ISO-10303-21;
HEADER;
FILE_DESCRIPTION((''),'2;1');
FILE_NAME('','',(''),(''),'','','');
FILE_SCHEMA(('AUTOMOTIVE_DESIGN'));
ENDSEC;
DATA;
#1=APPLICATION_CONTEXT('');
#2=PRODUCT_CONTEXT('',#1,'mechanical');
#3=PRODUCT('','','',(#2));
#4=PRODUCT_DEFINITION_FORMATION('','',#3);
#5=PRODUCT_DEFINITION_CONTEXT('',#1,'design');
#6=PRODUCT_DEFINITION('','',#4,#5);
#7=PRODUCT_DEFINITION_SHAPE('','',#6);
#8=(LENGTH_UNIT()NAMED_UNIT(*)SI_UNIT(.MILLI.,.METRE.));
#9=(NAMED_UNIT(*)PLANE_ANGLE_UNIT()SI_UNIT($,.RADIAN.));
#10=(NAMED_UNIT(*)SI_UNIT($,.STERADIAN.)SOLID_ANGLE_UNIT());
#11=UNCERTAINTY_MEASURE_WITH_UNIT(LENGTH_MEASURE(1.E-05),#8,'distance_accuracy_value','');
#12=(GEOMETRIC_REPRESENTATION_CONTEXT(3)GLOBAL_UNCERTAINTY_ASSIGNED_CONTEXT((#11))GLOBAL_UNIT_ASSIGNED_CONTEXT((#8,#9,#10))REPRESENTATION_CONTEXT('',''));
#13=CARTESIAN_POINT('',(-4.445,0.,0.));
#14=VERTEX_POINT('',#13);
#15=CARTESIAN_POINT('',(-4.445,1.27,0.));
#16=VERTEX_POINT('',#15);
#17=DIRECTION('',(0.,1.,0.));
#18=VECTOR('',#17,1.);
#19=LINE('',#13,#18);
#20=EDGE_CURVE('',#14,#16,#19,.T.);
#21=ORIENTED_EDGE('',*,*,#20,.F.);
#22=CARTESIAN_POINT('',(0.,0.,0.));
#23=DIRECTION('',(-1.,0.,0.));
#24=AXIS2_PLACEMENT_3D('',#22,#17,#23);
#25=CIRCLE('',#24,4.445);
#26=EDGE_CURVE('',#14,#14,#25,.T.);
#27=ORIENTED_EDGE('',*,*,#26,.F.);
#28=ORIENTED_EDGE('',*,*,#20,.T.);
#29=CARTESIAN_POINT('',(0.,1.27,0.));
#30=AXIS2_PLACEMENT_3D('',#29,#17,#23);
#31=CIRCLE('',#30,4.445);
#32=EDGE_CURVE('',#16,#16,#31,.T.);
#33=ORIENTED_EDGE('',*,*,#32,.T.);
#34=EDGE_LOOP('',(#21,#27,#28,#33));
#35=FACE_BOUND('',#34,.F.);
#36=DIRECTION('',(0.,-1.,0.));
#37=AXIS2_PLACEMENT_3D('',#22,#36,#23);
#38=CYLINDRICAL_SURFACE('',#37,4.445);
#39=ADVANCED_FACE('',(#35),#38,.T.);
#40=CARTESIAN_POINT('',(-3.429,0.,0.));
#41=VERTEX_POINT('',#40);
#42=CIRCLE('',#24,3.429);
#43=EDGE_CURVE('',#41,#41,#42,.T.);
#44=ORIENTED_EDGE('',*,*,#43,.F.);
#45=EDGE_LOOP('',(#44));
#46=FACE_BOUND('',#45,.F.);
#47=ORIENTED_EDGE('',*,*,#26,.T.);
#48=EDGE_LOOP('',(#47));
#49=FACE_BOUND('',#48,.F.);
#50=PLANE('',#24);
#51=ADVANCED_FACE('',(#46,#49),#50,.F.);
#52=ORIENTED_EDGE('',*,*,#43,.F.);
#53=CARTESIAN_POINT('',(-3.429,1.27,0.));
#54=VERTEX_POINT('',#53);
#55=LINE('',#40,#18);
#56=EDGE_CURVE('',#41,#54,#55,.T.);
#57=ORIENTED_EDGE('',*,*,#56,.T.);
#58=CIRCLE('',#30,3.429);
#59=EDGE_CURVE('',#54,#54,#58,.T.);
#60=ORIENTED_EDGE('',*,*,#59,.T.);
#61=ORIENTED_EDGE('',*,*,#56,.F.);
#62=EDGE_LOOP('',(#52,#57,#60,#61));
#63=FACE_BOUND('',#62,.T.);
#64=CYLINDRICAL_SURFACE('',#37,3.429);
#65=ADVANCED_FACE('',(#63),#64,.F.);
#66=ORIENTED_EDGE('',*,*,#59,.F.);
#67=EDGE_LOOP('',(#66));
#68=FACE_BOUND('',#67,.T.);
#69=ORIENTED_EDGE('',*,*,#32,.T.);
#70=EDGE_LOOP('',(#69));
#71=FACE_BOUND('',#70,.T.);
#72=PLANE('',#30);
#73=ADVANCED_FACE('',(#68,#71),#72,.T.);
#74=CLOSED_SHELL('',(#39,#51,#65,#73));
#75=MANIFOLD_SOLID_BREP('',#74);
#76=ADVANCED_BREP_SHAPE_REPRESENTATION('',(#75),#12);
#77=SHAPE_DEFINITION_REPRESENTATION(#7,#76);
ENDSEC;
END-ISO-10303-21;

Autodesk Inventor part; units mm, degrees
ref_plane "YZ Plane" through (0, 0, 0) normal (1, 0, 0) x (0, 1, 0)
ref_plane "XZ Plane" through (0, 0, 0) normal (0, 1, 0) x (-1, 0, 0)
ref_plane "XY Plane" through (0, 0, 0) normal (0, 0, 1) x (1, 0, 0)
sketch "Sketch1" plane through (0, 0, 0) normal (0, 1, 0) x (-1, 0, 0)
  circle A0 centre (0, 0) radius 3.429
  circle A1 centre (0, 0) radius 4.445
  dimension "d0" = 6.858
  dimension "d1" = 8.89
extrude "Extrusion1" add sketch "Sketch1" along normal blind 1.27
properties part number "spacerSmallOdometry"
